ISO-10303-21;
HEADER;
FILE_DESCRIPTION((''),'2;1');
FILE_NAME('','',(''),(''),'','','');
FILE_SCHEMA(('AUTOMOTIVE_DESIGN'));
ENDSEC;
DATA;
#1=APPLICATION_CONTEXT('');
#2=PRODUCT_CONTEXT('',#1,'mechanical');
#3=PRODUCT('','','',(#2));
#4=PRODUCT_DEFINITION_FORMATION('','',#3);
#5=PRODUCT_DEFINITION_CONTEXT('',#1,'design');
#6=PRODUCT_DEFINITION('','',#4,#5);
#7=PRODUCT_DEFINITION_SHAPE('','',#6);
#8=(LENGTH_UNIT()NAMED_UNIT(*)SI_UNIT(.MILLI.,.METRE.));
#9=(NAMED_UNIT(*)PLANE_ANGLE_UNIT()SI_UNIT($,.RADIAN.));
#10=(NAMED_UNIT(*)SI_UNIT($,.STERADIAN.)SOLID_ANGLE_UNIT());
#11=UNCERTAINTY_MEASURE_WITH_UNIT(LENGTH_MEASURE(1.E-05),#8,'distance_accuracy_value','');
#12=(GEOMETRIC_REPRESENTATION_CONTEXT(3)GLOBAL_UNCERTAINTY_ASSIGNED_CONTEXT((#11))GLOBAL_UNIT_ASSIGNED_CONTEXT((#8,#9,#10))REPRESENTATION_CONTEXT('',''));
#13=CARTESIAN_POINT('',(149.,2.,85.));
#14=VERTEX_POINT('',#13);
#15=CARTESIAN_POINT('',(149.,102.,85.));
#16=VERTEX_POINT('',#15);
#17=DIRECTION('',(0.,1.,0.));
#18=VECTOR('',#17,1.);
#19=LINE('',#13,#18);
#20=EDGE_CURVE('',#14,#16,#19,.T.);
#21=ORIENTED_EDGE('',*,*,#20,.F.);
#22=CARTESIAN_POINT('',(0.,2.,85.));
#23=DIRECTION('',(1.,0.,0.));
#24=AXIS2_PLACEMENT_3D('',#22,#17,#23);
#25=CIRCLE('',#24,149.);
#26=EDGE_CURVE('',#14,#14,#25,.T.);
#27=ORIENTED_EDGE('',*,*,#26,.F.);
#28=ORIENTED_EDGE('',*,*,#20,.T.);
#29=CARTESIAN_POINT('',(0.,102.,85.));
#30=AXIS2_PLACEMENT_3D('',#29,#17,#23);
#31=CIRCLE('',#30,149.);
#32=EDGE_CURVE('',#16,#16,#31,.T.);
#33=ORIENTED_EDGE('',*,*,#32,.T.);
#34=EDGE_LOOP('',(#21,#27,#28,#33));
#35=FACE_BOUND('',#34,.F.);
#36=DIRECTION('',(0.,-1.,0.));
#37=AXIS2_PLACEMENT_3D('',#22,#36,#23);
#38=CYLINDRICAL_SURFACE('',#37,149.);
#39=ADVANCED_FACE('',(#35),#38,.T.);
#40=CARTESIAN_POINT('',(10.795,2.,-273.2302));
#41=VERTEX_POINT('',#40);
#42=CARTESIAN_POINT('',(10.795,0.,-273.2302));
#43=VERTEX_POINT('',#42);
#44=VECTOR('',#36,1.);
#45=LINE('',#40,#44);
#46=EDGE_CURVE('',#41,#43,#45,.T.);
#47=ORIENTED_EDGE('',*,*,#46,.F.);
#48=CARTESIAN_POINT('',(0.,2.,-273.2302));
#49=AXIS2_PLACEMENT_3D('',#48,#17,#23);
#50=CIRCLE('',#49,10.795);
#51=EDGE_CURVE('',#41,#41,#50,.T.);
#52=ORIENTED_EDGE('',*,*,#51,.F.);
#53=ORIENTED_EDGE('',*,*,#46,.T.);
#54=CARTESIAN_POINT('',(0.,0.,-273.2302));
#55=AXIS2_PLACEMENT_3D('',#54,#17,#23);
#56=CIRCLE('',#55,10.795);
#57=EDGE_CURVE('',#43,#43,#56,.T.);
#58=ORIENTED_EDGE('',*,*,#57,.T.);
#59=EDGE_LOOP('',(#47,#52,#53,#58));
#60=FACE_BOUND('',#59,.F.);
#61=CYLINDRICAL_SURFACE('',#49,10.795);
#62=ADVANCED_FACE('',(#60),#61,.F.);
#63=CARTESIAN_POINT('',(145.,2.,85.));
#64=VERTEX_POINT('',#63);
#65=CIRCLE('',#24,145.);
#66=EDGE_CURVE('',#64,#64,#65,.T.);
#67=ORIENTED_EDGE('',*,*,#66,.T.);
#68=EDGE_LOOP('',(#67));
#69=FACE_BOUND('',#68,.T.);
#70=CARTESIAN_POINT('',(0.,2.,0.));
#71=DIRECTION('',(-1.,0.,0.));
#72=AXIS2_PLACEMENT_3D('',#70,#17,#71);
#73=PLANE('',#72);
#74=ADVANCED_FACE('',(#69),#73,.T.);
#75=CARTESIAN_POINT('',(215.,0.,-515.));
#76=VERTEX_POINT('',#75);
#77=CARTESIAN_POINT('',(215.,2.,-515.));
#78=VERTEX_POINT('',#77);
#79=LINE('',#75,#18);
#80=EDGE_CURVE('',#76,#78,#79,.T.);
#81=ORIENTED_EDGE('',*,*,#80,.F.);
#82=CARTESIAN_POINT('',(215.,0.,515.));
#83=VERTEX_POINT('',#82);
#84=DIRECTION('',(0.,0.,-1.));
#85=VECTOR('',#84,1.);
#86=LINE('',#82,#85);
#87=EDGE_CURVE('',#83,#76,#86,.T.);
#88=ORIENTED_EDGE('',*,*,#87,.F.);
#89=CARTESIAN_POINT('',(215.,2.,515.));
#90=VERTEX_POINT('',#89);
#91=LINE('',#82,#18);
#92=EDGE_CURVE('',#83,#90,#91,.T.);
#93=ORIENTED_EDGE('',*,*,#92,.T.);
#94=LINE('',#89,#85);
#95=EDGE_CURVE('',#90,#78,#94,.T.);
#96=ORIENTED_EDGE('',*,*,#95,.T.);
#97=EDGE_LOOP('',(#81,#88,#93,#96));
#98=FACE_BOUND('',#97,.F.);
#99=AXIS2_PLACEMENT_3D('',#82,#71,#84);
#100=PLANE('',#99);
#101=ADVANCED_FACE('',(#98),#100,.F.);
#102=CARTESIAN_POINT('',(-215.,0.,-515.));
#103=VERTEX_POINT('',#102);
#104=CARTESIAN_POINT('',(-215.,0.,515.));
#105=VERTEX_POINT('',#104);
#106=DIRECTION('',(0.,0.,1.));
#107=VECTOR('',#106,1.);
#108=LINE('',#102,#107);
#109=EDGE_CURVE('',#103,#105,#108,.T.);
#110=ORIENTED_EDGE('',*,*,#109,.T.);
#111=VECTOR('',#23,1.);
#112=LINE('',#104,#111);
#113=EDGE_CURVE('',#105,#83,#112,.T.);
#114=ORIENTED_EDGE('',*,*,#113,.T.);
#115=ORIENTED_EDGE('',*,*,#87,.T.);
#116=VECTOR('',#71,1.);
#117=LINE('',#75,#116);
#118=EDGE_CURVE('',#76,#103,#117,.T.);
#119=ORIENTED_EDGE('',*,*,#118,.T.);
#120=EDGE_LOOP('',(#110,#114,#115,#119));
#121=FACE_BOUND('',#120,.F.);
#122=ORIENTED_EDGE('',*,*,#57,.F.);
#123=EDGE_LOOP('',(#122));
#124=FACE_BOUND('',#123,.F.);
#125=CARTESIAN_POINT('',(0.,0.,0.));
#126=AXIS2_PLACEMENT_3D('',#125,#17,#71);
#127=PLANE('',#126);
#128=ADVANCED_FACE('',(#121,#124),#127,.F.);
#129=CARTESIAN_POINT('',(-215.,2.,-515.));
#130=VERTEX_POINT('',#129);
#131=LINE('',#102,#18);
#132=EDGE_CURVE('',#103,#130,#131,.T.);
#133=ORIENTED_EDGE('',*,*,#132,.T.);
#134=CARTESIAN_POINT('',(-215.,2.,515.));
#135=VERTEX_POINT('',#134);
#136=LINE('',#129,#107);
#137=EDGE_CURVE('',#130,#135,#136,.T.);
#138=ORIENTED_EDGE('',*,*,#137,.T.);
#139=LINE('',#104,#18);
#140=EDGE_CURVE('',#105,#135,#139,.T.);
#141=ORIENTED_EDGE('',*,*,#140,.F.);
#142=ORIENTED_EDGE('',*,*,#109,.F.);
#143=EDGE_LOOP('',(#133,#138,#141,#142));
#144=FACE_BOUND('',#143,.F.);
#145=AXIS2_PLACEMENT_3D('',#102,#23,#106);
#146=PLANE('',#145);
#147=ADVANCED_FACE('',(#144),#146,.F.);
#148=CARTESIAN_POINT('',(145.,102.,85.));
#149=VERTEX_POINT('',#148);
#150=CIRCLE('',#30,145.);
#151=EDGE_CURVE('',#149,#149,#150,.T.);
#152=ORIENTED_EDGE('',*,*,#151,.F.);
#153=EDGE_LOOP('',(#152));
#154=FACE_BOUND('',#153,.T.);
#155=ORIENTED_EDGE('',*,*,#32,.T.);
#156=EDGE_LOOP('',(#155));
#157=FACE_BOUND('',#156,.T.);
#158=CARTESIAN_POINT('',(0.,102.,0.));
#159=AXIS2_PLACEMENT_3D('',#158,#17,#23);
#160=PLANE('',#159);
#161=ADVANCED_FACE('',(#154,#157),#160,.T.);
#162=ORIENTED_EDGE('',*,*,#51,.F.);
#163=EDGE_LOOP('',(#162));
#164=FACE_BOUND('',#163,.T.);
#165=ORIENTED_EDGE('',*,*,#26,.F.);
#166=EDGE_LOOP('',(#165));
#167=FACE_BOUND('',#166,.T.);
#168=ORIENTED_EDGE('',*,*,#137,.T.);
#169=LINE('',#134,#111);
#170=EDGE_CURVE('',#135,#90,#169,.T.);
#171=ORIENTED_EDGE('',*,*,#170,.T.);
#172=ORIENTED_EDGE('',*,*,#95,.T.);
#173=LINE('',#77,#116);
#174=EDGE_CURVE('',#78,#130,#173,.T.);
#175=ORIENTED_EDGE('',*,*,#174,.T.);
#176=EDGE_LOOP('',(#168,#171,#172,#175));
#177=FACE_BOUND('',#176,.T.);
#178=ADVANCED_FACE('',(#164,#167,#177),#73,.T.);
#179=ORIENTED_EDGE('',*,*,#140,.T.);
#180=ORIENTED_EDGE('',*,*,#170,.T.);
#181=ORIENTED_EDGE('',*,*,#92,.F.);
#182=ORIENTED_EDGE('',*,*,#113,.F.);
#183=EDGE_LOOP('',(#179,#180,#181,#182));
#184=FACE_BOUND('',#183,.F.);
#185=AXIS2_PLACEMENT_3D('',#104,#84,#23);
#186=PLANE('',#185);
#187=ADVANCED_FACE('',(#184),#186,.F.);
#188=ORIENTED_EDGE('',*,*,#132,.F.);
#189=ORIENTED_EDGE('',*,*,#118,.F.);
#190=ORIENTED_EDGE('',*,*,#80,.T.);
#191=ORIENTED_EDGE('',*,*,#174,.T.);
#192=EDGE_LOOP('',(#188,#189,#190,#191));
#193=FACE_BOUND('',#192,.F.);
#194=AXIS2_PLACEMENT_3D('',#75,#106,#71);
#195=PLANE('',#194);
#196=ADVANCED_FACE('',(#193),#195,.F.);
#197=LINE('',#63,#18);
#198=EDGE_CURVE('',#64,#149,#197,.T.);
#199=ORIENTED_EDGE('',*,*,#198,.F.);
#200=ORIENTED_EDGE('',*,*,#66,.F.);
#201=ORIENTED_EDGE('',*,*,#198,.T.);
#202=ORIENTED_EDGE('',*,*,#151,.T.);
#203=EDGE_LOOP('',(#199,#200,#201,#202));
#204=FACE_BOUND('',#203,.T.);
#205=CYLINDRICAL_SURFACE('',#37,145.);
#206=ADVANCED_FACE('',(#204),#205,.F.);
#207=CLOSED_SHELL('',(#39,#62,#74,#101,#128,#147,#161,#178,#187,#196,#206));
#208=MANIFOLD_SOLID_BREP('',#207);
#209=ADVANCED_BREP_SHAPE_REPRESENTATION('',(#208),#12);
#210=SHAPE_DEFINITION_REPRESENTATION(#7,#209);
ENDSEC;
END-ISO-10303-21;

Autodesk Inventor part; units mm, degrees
ref_plane "YZ Plane" through (0, 0, 0) normal (1, 0, 0) x (0, 1, 0)
ref_plane "XZ Plane" through (0, 0, 0) normal (0, 1, 0) x (-1, 0, 0)
ref_plane "XY Plane" through (0, 0, 0) normal (0, 0, 1) x (1, 0, 0)
sketch "Sketch1" plane through (0, 0, 0) normal (0, 1, 0) x (-1, 0, 0)
  line L0 (215, 515) -> (-215, 515)
  line L1 (-215, 515) -> (-215, -515)
  line L2 (-215, -515) -> (215, -515)
  line L3 (215, -515) -> (215, 515)
  line L4 (215, 515) -> (-215, -515) construction
  line L5 (-215, 515) -> (215, -515) construction
  point P0 (0, 0)
  dimension "d0" = 430
  dimension "d1" = 1030
extrude "Plate1" add sketch "Sketch1" along normal blind 2
sketch "Sketch2" plane through (0, 2, 0) normal (0, 1, 0) x (1, 0, 0)
  circle A0 centre (0, -85) radius 145
  line L0 (215, -515) -> (-215, -515) projected
  circle A1 centre (0, -85) radius 149
  point P0 (0, 0)
  dimension "d3" = 430
  dimension "d4" = 290
  dimension "d5" = 0
  dimension "d6" = 4
extrude "Extrusion1" add sketch "Sketch2" along normal blind 100
sketch "Sketch3" plane through (0, 2, 0) normal (0, 1, 0) x (1, 0, 0)
  circle A0 centre (0, 273.2302) radius 10.795
  point P0 (0, 0)
  dimension "d10" = 21.59
extrude "Cut1" cut sketch "Sketch3" against normal through all
equation "\"d11\" = Thickness"
equation "\"d2\" = Thickness"
equation "\"BendRadius\" = Thickness"
equation "\"BendReliefWidth\" = Thickness"
equation "\"BendReliefDepth\" = 0.5 * Thickness"
equation "\"CornerReliefSize\" = 4 * Thickness"
equation "\"MinimumRemnant\" = 2 * Thickness"
equation "\"TransitionRadius\" = BendRadius"
equation "\"JacobiRadiusSize\" = BendRadius"
equation "\"GapSize\" = Thickness"
equation "\"Thickness\" = 2"
properties part number "mid Base"
